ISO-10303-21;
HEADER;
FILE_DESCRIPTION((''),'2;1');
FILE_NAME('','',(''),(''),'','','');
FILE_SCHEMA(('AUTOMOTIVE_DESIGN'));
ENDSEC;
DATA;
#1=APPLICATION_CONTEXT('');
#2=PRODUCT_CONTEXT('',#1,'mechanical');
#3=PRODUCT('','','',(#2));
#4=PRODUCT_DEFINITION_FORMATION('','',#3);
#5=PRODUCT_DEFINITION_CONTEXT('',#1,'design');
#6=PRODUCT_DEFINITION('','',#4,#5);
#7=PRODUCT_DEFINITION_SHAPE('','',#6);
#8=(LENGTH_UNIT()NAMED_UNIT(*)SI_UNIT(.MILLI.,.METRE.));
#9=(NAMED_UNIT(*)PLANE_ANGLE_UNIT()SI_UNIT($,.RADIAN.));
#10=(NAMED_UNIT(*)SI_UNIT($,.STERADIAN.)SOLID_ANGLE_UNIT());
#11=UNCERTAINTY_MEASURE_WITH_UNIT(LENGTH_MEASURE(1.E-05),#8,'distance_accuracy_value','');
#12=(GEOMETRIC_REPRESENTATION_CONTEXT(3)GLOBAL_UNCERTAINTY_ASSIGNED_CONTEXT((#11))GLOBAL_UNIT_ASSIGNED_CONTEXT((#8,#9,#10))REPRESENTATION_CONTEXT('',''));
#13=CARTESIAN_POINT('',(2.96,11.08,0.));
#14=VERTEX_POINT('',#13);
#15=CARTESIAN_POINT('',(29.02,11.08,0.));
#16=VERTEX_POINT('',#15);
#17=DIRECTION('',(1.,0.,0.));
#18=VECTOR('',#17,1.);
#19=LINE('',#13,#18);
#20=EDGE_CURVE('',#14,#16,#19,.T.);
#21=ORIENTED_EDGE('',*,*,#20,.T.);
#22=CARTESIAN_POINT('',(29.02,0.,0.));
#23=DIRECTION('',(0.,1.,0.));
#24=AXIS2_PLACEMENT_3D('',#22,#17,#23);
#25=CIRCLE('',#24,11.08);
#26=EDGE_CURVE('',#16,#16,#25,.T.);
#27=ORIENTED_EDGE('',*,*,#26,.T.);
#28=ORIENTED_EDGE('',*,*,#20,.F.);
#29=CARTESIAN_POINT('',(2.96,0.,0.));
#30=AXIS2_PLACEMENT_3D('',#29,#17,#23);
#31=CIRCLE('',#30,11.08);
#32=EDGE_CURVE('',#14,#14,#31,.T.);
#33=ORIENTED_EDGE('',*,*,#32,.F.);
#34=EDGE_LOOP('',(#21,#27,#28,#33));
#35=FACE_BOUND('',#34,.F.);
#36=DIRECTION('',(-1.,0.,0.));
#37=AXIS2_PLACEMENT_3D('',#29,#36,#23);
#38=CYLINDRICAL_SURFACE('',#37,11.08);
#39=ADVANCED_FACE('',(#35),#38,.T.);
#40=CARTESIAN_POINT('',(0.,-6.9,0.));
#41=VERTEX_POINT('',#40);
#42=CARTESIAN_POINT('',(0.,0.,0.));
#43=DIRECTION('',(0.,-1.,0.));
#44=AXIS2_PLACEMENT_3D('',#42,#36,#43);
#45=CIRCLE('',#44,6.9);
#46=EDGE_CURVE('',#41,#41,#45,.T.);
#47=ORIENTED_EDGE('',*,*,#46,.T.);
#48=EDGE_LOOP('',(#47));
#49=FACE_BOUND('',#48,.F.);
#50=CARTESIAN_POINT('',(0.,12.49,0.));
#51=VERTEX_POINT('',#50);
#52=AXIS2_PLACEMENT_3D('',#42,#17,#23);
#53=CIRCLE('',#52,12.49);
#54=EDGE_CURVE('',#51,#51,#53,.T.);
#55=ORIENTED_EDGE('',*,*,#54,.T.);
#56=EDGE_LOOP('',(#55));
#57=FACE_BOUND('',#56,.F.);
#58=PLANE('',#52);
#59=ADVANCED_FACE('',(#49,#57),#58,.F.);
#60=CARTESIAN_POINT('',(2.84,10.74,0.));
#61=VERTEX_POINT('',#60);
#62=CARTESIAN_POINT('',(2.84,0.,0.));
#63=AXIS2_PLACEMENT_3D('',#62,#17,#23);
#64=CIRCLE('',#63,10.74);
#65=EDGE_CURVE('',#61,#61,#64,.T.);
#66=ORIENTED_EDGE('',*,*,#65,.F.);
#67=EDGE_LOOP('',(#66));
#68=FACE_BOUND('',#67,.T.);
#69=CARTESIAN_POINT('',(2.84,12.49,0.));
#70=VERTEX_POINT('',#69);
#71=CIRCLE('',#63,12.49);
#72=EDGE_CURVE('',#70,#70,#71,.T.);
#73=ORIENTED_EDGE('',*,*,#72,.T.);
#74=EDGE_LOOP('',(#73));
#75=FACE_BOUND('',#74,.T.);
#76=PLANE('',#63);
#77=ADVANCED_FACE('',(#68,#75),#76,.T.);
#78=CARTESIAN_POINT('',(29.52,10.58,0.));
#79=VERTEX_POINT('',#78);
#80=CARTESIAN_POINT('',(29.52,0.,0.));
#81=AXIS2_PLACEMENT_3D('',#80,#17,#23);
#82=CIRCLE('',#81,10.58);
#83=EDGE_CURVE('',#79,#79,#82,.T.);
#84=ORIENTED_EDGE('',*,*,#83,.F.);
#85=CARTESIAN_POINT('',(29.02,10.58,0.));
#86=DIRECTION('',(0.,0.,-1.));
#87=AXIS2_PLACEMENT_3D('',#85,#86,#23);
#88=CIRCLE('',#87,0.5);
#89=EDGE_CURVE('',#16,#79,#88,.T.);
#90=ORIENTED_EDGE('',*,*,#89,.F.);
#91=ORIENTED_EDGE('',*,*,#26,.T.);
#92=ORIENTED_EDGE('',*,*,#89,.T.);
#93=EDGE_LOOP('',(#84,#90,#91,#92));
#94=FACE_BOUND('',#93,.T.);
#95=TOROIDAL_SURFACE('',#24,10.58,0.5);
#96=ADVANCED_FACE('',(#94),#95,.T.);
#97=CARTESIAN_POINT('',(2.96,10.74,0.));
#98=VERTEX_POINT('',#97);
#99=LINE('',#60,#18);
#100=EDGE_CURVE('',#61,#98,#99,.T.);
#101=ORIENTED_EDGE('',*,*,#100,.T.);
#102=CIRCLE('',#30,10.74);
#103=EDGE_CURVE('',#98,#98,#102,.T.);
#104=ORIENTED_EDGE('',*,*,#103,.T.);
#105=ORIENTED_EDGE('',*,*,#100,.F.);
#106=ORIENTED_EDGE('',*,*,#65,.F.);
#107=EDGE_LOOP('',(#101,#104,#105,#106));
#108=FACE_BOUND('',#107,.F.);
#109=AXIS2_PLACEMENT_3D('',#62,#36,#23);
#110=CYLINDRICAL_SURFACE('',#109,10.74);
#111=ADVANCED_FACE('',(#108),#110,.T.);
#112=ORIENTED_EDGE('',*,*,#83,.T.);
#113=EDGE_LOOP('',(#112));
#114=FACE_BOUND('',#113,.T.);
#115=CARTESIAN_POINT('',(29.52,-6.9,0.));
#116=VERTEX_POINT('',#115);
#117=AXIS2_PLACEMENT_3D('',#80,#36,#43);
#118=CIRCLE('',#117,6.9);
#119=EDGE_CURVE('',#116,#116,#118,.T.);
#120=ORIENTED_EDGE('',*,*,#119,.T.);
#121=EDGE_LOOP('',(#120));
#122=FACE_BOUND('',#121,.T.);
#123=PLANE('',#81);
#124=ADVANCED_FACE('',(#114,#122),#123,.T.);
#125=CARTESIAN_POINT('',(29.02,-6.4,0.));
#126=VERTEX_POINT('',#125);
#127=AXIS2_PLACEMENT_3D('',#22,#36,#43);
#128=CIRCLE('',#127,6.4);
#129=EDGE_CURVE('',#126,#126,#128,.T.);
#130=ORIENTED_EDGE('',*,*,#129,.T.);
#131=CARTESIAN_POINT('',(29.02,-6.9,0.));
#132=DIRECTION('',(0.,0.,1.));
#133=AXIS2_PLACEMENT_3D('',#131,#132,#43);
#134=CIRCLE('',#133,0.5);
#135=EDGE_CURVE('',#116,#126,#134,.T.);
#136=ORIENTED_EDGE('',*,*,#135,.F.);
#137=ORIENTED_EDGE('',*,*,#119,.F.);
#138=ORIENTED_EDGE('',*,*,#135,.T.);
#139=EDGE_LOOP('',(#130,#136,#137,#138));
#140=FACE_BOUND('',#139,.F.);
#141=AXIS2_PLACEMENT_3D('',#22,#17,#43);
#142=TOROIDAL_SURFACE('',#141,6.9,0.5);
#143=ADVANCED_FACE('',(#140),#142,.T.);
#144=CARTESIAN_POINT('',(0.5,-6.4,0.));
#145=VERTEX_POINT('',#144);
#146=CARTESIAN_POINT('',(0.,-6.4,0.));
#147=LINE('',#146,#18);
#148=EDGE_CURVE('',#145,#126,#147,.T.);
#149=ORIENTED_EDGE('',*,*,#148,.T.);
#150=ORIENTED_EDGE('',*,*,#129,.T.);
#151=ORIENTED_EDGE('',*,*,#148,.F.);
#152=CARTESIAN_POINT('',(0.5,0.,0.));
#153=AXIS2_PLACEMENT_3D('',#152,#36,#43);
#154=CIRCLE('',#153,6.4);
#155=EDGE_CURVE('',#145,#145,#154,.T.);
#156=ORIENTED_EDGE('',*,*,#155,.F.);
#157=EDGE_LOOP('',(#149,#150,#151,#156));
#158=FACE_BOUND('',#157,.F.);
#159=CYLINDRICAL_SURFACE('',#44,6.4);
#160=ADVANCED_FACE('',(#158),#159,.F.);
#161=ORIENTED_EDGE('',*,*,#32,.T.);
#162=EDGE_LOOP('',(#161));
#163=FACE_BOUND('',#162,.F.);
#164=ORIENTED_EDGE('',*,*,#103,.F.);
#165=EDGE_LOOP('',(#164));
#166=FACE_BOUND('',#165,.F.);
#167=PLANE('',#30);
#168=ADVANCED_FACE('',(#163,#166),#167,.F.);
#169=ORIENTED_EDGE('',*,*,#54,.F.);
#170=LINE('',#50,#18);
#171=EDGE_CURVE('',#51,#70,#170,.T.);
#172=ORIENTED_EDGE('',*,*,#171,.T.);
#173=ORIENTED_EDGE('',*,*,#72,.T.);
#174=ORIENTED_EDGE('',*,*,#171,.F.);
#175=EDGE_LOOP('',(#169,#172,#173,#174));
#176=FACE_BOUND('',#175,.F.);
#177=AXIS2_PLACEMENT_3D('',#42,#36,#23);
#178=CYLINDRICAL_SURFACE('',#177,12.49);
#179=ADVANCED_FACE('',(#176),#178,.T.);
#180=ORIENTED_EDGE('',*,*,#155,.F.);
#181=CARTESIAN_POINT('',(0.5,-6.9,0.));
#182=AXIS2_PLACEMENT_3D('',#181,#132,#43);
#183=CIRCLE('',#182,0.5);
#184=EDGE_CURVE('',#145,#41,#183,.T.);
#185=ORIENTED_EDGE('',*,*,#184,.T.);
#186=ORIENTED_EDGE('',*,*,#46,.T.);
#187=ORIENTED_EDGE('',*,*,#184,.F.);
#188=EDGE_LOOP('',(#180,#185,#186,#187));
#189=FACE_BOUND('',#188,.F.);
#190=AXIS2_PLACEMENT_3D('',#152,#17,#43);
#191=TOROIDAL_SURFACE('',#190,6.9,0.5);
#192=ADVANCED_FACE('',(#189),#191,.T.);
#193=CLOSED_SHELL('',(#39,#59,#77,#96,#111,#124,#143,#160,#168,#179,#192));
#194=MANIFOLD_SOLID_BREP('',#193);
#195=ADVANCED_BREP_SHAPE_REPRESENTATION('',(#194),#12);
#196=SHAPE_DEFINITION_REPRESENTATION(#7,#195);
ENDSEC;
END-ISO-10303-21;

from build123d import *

# Parameters (mm, degrees)
F0_R     = 12.49
F1_DEPTH = 2.84
F2_R     = 10.74
F3_DEPTH = 0.12
F4_R     = 11.08
F5_DEPTH = 26.56
F6_R     = 6.4
F7_DEPTH = 29.52
F8_R     = 0.5


with BuildPart() as f1:
    # F0 (on Right) → F1 (new body)
    with BuildSketch(Plane.YZ):
        Circle(F0_R)
    extrude(amount=F1_DEPTH)

    # F2 (on face) → F3 (join)
    with BuildSketch(Plane.YZ.offset(2.84)):
        Circle(F2_R)
    extrude(amount=F3_DEPTH)

    # F4 (on face) → F5 (join)
    with BuildSketch(Plane.YZ.offset(2.96)):
        Circle(F4_R)
    extrude(amount=F5_DEPTH)

    # F6 (on face) → F7 (cut)
    with BuildSketch(Plane(origin=(0, 0, 0), x_dir=(0, -1, 0), z_dir=(-1, 0, 0))):
        Circle(F6_R)
    extrude(amount=-F7_DEPTH, mode=Mode.SUBTRACT)

    # F8
    f8_edges = [f1.edges().sort_by_distance(p)[0] for p in [
        (0, 6.4, 0),
        (29.52, -11.08, 0),
        (29.52, 6.4, 0),
    ]]
    fillet(f8_edges, radius=F8_R)


solid = f1.part
